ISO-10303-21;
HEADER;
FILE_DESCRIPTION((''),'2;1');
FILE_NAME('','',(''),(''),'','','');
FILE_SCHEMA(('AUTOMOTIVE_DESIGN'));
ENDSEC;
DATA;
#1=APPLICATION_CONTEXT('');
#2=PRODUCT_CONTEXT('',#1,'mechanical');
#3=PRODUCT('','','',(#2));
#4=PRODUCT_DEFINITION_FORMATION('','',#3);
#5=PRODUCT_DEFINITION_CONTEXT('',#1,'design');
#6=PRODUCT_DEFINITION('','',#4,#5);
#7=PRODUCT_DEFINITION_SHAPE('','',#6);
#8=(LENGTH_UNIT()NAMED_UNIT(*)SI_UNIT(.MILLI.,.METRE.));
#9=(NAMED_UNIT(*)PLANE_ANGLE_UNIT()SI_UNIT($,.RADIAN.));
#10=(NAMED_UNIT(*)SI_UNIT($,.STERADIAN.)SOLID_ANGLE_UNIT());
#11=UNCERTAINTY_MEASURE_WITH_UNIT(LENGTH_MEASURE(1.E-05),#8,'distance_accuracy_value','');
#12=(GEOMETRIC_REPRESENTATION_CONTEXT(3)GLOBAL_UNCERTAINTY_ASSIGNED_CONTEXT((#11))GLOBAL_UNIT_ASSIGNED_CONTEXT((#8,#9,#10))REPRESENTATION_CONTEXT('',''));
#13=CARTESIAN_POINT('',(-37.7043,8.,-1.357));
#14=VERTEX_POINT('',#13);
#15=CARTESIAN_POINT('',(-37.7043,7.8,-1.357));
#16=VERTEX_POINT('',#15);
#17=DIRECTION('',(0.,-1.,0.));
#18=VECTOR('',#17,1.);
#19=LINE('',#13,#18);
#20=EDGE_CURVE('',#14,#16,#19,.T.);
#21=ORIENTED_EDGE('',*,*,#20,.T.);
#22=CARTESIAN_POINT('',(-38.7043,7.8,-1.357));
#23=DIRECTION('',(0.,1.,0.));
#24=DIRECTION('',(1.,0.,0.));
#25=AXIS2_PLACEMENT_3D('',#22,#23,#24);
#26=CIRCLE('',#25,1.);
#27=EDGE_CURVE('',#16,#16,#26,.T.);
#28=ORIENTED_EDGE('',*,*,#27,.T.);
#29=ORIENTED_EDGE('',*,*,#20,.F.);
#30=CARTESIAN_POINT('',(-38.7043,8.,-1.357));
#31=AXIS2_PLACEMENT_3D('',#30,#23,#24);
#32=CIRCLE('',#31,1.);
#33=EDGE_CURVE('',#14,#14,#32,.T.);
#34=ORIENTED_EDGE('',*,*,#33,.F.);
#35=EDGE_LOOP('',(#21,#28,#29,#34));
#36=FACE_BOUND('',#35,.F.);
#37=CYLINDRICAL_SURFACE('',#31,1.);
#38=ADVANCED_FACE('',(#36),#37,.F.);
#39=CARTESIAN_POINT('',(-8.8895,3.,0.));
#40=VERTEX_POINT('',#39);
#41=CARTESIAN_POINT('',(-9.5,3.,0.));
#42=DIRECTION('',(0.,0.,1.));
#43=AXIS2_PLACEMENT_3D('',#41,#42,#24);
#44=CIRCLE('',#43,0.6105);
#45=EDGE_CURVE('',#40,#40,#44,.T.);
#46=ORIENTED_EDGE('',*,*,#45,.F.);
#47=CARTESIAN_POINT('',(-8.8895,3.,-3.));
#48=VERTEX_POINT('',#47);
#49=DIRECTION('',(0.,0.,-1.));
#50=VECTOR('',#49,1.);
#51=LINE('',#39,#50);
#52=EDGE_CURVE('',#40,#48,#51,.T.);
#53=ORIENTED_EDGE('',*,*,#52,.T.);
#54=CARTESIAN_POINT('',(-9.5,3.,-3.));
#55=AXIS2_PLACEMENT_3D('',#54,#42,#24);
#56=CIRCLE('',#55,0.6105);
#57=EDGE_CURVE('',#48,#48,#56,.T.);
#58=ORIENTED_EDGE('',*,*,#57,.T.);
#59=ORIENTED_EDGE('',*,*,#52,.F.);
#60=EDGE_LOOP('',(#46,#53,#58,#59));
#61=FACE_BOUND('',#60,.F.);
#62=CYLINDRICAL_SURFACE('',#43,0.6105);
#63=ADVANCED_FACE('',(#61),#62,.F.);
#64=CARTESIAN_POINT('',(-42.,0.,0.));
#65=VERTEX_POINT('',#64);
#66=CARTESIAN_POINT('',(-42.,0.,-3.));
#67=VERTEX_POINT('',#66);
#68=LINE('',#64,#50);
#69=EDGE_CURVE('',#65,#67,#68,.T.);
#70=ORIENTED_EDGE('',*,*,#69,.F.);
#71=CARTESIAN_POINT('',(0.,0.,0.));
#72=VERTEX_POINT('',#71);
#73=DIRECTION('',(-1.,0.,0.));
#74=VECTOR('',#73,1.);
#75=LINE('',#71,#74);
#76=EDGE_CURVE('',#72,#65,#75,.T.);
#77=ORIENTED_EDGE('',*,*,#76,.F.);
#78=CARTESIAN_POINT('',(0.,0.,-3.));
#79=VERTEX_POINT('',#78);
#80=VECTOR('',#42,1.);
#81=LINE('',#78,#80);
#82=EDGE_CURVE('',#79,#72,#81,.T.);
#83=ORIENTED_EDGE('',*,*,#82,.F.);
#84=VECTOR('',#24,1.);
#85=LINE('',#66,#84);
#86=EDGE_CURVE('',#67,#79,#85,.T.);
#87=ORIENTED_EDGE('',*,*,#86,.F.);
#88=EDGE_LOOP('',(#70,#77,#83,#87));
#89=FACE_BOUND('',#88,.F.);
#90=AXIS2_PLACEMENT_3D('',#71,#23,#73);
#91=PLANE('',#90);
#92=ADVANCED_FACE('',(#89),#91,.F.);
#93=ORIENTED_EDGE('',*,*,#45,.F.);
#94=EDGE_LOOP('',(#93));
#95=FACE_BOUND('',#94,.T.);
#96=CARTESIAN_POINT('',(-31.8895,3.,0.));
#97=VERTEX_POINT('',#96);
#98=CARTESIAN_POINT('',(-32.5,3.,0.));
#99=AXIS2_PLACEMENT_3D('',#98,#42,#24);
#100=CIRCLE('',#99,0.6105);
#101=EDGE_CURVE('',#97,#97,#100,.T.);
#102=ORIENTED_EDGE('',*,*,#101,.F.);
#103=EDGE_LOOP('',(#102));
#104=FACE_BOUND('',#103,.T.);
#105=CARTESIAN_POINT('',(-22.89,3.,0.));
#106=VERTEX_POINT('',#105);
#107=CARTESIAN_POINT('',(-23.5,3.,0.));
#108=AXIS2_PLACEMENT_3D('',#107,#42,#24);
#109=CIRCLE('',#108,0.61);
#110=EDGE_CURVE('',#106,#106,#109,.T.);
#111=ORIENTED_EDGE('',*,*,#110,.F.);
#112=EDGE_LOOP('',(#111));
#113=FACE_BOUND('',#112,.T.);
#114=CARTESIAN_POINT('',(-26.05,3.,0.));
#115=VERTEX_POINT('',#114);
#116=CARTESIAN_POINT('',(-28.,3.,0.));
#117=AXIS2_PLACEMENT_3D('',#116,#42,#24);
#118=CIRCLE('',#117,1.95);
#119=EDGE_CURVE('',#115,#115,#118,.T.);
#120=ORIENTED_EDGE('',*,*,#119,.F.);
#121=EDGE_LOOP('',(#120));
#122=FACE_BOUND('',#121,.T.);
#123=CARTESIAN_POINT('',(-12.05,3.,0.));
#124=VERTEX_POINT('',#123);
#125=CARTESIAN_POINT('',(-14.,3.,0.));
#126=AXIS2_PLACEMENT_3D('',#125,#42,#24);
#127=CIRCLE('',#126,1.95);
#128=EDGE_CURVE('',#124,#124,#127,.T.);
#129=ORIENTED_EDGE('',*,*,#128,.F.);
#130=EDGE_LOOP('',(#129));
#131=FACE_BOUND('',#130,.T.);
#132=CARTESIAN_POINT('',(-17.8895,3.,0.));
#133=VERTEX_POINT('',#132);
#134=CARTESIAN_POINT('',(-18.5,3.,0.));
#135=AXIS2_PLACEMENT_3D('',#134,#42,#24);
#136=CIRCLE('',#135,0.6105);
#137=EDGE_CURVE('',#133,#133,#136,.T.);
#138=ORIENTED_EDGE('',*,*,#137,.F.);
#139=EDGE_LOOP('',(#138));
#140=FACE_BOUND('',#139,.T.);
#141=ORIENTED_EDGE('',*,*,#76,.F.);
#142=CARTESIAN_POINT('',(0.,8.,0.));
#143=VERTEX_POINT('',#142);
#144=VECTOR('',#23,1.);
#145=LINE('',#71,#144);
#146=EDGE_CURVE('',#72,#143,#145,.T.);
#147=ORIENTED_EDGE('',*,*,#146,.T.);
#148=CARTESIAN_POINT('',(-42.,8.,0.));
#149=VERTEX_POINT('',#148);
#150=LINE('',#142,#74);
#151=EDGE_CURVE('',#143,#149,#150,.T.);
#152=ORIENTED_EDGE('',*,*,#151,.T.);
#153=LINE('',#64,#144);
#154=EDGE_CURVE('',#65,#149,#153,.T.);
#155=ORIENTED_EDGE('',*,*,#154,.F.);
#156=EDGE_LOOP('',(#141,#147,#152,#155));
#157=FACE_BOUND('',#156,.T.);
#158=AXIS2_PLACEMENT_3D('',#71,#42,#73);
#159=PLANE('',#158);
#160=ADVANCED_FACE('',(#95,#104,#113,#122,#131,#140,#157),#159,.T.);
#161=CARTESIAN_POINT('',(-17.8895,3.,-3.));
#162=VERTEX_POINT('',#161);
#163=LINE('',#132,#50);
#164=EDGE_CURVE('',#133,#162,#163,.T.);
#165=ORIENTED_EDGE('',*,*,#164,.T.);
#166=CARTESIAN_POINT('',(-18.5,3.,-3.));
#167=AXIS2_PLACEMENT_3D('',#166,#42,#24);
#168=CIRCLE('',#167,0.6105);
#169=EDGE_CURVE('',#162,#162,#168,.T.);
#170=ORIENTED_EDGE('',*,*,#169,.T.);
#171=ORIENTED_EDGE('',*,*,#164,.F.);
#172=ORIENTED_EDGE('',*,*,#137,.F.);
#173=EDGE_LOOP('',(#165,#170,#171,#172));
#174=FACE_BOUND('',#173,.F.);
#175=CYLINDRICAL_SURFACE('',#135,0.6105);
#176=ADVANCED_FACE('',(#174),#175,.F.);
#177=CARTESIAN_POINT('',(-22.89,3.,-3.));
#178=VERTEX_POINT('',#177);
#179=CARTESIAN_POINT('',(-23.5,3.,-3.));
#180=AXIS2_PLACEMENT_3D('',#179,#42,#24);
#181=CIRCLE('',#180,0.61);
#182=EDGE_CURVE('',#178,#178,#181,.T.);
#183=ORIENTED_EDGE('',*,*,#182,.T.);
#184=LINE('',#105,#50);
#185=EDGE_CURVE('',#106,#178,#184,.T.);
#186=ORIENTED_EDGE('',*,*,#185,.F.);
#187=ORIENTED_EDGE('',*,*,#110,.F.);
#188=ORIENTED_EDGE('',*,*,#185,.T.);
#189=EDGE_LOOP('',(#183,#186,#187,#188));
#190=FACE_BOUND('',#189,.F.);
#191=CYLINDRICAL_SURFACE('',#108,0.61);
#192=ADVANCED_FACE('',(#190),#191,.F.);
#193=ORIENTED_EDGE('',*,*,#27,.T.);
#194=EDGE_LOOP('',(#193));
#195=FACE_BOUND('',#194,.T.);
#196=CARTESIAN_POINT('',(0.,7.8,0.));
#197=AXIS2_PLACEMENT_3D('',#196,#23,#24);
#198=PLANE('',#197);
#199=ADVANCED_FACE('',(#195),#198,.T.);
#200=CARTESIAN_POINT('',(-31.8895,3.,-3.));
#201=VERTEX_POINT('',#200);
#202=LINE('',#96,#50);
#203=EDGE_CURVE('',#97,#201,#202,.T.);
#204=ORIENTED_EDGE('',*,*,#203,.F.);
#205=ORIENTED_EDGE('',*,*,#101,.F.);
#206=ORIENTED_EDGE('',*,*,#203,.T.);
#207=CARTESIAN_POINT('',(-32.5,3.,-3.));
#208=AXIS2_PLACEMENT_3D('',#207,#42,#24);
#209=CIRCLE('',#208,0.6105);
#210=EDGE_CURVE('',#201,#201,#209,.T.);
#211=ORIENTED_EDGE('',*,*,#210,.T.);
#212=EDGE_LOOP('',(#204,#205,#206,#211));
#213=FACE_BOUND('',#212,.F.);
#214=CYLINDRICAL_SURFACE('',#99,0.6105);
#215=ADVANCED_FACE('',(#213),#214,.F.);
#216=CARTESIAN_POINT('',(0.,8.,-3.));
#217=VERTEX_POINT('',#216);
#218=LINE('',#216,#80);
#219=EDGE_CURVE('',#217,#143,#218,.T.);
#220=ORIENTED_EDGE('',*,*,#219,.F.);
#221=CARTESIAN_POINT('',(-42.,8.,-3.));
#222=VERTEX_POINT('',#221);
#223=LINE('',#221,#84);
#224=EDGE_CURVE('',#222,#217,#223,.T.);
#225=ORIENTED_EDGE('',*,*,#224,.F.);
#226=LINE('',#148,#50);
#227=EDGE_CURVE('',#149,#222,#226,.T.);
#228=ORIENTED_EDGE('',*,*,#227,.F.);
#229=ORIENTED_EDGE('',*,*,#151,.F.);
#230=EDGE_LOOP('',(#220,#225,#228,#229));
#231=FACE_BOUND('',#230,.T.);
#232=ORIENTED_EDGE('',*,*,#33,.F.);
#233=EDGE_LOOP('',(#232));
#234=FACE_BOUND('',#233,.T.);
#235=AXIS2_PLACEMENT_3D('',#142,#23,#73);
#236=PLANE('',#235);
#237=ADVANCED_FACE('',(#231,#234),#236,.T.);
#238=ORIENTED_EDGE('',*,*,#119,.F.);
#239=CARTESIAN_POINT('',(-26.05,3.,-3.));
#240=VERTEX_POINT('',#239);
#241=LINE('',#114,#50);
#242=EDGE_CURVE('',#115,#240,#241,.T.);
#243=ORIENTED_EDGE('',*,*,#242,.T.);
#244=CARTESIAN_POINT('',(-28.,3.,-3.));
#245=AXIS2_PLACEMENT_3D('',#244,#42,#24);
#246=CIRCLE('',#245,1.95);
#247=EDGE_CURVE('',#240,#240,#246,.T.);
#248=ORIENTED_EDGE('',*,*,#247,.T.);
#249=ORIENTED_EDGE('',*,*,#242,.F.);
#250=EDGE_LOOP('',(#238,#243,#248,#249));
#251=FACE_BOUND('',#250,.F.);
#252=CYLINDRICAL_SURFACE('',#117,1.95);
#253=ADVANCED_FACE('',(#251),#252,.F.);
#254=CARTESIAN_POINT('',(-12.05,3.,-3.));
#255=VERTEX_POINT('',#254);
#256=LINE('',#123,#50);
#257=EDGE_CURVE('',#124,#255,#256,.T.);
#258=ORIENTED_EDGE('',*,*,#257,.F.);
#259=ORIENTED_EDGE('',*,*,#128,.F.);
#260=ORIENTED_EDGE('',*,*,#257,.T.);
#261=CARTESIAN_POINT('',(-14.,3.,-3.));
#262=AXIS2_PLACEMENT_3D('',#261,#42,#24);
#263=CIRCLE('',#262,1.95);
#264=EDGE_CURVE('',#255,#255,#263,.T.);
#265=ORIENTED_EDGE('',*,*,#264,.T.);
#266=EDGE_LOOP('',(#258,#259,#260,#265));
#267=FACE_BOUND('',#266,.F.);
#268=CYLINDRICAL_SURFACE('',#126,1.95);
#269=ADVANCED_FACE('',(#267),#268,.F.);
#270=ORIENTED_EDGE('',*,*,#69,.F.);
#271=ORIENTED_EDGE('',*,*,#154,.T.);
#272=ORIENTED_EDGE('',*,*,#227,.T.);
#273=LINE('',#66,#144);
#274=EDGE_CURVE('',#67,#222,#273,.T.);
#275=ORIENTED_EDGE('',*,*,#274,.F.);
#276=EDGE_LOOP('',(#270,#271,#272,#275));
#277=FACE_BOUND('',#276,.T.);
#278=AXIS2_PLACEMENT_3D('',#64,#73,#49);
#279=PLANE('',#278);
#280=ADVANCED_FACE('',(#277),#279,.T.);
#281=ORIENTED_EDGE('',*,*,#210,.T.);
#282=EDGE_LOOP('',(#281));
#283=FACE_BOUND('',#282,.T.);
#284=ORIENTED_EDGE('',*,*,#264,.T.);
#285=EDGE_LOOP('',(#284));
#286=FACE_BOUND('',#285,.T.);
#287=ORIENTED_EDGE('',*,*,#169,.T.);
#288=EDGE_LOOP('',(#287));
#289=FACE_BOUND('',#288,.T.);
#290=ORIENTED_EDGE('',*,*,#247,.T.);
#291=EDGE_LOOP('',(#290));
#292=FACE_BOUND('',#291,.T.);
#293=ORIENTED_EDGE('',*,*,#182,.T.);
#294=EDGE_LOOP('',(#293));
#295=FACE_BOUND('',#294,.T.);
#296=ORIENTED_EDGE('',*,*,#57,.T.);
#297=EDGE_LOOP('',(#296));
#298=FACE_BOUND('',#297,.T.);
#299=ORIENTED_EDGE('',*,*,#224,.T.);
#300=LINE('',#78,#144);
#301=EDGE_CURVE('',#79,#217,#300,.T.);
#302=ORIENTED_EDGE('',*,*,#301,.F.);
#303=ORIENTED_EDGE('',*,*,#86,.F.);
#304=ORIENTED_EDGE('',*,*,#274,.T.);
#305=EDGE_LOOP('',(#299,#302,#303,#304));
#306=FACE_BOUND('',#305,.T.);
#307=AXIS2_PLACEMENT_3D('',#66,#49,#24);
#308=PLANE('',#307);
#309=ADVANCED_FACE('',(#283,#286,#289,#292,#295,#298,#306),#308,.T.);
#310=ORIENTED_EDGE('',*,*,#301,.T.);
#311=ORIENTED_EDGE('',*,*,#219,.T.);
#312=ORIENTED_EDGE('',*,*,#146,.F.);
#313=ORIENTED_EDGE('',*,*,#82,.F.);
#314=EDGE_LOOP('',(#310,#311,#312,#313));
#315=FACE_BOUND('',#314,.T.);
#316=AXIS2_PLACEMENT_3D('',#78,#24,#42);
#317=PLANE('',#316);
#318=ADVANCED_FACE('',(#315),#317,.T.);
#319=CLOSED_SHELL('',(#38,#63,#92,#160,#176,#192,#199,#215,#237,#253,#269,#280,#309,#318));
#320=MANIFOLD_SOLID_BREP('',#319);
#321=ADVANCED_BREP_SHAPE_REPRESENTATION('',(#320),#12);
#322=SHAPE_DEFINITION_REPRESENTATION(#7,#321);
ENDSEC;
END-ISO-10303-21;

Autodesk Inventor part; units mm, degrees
ref_plane "YZ Plane" through (0, 0, 0) normal (1, 0, 0) x (0, 1, 0)
ref_plane "XZ Plane" through (0, 0, 0) normal (0, 1, 0) x (-1, 0, 0)
ref_plane "XY Plane" through (0, 0, 0) normal (0, 0, 1) x (1, 0, 0)
sketch "Szkic1" plane through (0, 0, 0) normal (0, 1, 0) x (-1, 0, 0)
  line L0 (0, 0) -> (42, 0)
  line L1 (42, 0) -> (42, -3)
  line L2 (42, -3) -> (0, -3)
  line L3 (0, -3) -> (0, 0)
  dimension "d0" = 42
  dimension "d1" = 3
extrude "Wyciągnięcie proste1" add sketch "Szkic1" along normal blind 8
sketch "Szkic2" plane through (0, 8, 0) normal (0, 1, 0) x (1, 0, 0)
  circle A0 centre (-38.7043, 1.357) radius 1
  point P0 (0, 0)
  dimension "d4" = 2
extrude "Wyciągnięcie proste2" cut sketch "Szkic2" against normal blind 0.2
sketch "Szkic3" plane through (-42, 0, 0) normal (0, 0, 1) x (1, 0, 0)
  line L0 (0, 8) -> (42, 8) projected
  line L1 (0, 8) -> (6, 8)
  line L2 (6, 0) -> (0, 0)
  line L3 (0, 0) -> (0, 8)
  line L4 (42, 0) -> (36, 0)
  line L5 (36, 8) -> (42, 8)
  line L6 (42, 8) -> (42, 0)
  circle A0 centre (9.5, 3) radius 0.6105
  line L7 (0, 0) -> (42, 0) projected
  circle A1 centre (18.5, 3) radius 0.61
  circle A2 centre (23.5, 3) radius 0.6105
  circle A3 centre (32.5, 3) radius 0.6105
  circle A4 centre (14, 3) radius 1.95
  circle A5 centre (28, 3) radius 1.95
  dimension "d7" = 6
  dimension "d8" = 8
  dimension "d9" = 6
  dimension "d10" = 1.221
  dimension "d11" = 3
  dimension "d12" = 1.22
  dimension "d13" = 1.221
  dimension "d14" = 1.221
  dimension "d15" = 3
  dimension "d16" = 3
  dimension "d17" = 3
  dimension "d18" = 9.5
  dimension "d19" = 9.5
  dimension "d20" = 9
  dimension "d21" = 9
  dimension "d22" = 3.9
  dimension "d23" = 3.9
  dimension "d24" = 3
  dimension "d25" = 4.5
  dimension "d26" = 4.5
  dimension "d27" = 3
extrude "Wyciągnięcie proste3" cut sketch "Szkic3" against normal blind 3 contours A0 | A1 | A2 | A3 | A4 | A5
properties part number "blmwall"
